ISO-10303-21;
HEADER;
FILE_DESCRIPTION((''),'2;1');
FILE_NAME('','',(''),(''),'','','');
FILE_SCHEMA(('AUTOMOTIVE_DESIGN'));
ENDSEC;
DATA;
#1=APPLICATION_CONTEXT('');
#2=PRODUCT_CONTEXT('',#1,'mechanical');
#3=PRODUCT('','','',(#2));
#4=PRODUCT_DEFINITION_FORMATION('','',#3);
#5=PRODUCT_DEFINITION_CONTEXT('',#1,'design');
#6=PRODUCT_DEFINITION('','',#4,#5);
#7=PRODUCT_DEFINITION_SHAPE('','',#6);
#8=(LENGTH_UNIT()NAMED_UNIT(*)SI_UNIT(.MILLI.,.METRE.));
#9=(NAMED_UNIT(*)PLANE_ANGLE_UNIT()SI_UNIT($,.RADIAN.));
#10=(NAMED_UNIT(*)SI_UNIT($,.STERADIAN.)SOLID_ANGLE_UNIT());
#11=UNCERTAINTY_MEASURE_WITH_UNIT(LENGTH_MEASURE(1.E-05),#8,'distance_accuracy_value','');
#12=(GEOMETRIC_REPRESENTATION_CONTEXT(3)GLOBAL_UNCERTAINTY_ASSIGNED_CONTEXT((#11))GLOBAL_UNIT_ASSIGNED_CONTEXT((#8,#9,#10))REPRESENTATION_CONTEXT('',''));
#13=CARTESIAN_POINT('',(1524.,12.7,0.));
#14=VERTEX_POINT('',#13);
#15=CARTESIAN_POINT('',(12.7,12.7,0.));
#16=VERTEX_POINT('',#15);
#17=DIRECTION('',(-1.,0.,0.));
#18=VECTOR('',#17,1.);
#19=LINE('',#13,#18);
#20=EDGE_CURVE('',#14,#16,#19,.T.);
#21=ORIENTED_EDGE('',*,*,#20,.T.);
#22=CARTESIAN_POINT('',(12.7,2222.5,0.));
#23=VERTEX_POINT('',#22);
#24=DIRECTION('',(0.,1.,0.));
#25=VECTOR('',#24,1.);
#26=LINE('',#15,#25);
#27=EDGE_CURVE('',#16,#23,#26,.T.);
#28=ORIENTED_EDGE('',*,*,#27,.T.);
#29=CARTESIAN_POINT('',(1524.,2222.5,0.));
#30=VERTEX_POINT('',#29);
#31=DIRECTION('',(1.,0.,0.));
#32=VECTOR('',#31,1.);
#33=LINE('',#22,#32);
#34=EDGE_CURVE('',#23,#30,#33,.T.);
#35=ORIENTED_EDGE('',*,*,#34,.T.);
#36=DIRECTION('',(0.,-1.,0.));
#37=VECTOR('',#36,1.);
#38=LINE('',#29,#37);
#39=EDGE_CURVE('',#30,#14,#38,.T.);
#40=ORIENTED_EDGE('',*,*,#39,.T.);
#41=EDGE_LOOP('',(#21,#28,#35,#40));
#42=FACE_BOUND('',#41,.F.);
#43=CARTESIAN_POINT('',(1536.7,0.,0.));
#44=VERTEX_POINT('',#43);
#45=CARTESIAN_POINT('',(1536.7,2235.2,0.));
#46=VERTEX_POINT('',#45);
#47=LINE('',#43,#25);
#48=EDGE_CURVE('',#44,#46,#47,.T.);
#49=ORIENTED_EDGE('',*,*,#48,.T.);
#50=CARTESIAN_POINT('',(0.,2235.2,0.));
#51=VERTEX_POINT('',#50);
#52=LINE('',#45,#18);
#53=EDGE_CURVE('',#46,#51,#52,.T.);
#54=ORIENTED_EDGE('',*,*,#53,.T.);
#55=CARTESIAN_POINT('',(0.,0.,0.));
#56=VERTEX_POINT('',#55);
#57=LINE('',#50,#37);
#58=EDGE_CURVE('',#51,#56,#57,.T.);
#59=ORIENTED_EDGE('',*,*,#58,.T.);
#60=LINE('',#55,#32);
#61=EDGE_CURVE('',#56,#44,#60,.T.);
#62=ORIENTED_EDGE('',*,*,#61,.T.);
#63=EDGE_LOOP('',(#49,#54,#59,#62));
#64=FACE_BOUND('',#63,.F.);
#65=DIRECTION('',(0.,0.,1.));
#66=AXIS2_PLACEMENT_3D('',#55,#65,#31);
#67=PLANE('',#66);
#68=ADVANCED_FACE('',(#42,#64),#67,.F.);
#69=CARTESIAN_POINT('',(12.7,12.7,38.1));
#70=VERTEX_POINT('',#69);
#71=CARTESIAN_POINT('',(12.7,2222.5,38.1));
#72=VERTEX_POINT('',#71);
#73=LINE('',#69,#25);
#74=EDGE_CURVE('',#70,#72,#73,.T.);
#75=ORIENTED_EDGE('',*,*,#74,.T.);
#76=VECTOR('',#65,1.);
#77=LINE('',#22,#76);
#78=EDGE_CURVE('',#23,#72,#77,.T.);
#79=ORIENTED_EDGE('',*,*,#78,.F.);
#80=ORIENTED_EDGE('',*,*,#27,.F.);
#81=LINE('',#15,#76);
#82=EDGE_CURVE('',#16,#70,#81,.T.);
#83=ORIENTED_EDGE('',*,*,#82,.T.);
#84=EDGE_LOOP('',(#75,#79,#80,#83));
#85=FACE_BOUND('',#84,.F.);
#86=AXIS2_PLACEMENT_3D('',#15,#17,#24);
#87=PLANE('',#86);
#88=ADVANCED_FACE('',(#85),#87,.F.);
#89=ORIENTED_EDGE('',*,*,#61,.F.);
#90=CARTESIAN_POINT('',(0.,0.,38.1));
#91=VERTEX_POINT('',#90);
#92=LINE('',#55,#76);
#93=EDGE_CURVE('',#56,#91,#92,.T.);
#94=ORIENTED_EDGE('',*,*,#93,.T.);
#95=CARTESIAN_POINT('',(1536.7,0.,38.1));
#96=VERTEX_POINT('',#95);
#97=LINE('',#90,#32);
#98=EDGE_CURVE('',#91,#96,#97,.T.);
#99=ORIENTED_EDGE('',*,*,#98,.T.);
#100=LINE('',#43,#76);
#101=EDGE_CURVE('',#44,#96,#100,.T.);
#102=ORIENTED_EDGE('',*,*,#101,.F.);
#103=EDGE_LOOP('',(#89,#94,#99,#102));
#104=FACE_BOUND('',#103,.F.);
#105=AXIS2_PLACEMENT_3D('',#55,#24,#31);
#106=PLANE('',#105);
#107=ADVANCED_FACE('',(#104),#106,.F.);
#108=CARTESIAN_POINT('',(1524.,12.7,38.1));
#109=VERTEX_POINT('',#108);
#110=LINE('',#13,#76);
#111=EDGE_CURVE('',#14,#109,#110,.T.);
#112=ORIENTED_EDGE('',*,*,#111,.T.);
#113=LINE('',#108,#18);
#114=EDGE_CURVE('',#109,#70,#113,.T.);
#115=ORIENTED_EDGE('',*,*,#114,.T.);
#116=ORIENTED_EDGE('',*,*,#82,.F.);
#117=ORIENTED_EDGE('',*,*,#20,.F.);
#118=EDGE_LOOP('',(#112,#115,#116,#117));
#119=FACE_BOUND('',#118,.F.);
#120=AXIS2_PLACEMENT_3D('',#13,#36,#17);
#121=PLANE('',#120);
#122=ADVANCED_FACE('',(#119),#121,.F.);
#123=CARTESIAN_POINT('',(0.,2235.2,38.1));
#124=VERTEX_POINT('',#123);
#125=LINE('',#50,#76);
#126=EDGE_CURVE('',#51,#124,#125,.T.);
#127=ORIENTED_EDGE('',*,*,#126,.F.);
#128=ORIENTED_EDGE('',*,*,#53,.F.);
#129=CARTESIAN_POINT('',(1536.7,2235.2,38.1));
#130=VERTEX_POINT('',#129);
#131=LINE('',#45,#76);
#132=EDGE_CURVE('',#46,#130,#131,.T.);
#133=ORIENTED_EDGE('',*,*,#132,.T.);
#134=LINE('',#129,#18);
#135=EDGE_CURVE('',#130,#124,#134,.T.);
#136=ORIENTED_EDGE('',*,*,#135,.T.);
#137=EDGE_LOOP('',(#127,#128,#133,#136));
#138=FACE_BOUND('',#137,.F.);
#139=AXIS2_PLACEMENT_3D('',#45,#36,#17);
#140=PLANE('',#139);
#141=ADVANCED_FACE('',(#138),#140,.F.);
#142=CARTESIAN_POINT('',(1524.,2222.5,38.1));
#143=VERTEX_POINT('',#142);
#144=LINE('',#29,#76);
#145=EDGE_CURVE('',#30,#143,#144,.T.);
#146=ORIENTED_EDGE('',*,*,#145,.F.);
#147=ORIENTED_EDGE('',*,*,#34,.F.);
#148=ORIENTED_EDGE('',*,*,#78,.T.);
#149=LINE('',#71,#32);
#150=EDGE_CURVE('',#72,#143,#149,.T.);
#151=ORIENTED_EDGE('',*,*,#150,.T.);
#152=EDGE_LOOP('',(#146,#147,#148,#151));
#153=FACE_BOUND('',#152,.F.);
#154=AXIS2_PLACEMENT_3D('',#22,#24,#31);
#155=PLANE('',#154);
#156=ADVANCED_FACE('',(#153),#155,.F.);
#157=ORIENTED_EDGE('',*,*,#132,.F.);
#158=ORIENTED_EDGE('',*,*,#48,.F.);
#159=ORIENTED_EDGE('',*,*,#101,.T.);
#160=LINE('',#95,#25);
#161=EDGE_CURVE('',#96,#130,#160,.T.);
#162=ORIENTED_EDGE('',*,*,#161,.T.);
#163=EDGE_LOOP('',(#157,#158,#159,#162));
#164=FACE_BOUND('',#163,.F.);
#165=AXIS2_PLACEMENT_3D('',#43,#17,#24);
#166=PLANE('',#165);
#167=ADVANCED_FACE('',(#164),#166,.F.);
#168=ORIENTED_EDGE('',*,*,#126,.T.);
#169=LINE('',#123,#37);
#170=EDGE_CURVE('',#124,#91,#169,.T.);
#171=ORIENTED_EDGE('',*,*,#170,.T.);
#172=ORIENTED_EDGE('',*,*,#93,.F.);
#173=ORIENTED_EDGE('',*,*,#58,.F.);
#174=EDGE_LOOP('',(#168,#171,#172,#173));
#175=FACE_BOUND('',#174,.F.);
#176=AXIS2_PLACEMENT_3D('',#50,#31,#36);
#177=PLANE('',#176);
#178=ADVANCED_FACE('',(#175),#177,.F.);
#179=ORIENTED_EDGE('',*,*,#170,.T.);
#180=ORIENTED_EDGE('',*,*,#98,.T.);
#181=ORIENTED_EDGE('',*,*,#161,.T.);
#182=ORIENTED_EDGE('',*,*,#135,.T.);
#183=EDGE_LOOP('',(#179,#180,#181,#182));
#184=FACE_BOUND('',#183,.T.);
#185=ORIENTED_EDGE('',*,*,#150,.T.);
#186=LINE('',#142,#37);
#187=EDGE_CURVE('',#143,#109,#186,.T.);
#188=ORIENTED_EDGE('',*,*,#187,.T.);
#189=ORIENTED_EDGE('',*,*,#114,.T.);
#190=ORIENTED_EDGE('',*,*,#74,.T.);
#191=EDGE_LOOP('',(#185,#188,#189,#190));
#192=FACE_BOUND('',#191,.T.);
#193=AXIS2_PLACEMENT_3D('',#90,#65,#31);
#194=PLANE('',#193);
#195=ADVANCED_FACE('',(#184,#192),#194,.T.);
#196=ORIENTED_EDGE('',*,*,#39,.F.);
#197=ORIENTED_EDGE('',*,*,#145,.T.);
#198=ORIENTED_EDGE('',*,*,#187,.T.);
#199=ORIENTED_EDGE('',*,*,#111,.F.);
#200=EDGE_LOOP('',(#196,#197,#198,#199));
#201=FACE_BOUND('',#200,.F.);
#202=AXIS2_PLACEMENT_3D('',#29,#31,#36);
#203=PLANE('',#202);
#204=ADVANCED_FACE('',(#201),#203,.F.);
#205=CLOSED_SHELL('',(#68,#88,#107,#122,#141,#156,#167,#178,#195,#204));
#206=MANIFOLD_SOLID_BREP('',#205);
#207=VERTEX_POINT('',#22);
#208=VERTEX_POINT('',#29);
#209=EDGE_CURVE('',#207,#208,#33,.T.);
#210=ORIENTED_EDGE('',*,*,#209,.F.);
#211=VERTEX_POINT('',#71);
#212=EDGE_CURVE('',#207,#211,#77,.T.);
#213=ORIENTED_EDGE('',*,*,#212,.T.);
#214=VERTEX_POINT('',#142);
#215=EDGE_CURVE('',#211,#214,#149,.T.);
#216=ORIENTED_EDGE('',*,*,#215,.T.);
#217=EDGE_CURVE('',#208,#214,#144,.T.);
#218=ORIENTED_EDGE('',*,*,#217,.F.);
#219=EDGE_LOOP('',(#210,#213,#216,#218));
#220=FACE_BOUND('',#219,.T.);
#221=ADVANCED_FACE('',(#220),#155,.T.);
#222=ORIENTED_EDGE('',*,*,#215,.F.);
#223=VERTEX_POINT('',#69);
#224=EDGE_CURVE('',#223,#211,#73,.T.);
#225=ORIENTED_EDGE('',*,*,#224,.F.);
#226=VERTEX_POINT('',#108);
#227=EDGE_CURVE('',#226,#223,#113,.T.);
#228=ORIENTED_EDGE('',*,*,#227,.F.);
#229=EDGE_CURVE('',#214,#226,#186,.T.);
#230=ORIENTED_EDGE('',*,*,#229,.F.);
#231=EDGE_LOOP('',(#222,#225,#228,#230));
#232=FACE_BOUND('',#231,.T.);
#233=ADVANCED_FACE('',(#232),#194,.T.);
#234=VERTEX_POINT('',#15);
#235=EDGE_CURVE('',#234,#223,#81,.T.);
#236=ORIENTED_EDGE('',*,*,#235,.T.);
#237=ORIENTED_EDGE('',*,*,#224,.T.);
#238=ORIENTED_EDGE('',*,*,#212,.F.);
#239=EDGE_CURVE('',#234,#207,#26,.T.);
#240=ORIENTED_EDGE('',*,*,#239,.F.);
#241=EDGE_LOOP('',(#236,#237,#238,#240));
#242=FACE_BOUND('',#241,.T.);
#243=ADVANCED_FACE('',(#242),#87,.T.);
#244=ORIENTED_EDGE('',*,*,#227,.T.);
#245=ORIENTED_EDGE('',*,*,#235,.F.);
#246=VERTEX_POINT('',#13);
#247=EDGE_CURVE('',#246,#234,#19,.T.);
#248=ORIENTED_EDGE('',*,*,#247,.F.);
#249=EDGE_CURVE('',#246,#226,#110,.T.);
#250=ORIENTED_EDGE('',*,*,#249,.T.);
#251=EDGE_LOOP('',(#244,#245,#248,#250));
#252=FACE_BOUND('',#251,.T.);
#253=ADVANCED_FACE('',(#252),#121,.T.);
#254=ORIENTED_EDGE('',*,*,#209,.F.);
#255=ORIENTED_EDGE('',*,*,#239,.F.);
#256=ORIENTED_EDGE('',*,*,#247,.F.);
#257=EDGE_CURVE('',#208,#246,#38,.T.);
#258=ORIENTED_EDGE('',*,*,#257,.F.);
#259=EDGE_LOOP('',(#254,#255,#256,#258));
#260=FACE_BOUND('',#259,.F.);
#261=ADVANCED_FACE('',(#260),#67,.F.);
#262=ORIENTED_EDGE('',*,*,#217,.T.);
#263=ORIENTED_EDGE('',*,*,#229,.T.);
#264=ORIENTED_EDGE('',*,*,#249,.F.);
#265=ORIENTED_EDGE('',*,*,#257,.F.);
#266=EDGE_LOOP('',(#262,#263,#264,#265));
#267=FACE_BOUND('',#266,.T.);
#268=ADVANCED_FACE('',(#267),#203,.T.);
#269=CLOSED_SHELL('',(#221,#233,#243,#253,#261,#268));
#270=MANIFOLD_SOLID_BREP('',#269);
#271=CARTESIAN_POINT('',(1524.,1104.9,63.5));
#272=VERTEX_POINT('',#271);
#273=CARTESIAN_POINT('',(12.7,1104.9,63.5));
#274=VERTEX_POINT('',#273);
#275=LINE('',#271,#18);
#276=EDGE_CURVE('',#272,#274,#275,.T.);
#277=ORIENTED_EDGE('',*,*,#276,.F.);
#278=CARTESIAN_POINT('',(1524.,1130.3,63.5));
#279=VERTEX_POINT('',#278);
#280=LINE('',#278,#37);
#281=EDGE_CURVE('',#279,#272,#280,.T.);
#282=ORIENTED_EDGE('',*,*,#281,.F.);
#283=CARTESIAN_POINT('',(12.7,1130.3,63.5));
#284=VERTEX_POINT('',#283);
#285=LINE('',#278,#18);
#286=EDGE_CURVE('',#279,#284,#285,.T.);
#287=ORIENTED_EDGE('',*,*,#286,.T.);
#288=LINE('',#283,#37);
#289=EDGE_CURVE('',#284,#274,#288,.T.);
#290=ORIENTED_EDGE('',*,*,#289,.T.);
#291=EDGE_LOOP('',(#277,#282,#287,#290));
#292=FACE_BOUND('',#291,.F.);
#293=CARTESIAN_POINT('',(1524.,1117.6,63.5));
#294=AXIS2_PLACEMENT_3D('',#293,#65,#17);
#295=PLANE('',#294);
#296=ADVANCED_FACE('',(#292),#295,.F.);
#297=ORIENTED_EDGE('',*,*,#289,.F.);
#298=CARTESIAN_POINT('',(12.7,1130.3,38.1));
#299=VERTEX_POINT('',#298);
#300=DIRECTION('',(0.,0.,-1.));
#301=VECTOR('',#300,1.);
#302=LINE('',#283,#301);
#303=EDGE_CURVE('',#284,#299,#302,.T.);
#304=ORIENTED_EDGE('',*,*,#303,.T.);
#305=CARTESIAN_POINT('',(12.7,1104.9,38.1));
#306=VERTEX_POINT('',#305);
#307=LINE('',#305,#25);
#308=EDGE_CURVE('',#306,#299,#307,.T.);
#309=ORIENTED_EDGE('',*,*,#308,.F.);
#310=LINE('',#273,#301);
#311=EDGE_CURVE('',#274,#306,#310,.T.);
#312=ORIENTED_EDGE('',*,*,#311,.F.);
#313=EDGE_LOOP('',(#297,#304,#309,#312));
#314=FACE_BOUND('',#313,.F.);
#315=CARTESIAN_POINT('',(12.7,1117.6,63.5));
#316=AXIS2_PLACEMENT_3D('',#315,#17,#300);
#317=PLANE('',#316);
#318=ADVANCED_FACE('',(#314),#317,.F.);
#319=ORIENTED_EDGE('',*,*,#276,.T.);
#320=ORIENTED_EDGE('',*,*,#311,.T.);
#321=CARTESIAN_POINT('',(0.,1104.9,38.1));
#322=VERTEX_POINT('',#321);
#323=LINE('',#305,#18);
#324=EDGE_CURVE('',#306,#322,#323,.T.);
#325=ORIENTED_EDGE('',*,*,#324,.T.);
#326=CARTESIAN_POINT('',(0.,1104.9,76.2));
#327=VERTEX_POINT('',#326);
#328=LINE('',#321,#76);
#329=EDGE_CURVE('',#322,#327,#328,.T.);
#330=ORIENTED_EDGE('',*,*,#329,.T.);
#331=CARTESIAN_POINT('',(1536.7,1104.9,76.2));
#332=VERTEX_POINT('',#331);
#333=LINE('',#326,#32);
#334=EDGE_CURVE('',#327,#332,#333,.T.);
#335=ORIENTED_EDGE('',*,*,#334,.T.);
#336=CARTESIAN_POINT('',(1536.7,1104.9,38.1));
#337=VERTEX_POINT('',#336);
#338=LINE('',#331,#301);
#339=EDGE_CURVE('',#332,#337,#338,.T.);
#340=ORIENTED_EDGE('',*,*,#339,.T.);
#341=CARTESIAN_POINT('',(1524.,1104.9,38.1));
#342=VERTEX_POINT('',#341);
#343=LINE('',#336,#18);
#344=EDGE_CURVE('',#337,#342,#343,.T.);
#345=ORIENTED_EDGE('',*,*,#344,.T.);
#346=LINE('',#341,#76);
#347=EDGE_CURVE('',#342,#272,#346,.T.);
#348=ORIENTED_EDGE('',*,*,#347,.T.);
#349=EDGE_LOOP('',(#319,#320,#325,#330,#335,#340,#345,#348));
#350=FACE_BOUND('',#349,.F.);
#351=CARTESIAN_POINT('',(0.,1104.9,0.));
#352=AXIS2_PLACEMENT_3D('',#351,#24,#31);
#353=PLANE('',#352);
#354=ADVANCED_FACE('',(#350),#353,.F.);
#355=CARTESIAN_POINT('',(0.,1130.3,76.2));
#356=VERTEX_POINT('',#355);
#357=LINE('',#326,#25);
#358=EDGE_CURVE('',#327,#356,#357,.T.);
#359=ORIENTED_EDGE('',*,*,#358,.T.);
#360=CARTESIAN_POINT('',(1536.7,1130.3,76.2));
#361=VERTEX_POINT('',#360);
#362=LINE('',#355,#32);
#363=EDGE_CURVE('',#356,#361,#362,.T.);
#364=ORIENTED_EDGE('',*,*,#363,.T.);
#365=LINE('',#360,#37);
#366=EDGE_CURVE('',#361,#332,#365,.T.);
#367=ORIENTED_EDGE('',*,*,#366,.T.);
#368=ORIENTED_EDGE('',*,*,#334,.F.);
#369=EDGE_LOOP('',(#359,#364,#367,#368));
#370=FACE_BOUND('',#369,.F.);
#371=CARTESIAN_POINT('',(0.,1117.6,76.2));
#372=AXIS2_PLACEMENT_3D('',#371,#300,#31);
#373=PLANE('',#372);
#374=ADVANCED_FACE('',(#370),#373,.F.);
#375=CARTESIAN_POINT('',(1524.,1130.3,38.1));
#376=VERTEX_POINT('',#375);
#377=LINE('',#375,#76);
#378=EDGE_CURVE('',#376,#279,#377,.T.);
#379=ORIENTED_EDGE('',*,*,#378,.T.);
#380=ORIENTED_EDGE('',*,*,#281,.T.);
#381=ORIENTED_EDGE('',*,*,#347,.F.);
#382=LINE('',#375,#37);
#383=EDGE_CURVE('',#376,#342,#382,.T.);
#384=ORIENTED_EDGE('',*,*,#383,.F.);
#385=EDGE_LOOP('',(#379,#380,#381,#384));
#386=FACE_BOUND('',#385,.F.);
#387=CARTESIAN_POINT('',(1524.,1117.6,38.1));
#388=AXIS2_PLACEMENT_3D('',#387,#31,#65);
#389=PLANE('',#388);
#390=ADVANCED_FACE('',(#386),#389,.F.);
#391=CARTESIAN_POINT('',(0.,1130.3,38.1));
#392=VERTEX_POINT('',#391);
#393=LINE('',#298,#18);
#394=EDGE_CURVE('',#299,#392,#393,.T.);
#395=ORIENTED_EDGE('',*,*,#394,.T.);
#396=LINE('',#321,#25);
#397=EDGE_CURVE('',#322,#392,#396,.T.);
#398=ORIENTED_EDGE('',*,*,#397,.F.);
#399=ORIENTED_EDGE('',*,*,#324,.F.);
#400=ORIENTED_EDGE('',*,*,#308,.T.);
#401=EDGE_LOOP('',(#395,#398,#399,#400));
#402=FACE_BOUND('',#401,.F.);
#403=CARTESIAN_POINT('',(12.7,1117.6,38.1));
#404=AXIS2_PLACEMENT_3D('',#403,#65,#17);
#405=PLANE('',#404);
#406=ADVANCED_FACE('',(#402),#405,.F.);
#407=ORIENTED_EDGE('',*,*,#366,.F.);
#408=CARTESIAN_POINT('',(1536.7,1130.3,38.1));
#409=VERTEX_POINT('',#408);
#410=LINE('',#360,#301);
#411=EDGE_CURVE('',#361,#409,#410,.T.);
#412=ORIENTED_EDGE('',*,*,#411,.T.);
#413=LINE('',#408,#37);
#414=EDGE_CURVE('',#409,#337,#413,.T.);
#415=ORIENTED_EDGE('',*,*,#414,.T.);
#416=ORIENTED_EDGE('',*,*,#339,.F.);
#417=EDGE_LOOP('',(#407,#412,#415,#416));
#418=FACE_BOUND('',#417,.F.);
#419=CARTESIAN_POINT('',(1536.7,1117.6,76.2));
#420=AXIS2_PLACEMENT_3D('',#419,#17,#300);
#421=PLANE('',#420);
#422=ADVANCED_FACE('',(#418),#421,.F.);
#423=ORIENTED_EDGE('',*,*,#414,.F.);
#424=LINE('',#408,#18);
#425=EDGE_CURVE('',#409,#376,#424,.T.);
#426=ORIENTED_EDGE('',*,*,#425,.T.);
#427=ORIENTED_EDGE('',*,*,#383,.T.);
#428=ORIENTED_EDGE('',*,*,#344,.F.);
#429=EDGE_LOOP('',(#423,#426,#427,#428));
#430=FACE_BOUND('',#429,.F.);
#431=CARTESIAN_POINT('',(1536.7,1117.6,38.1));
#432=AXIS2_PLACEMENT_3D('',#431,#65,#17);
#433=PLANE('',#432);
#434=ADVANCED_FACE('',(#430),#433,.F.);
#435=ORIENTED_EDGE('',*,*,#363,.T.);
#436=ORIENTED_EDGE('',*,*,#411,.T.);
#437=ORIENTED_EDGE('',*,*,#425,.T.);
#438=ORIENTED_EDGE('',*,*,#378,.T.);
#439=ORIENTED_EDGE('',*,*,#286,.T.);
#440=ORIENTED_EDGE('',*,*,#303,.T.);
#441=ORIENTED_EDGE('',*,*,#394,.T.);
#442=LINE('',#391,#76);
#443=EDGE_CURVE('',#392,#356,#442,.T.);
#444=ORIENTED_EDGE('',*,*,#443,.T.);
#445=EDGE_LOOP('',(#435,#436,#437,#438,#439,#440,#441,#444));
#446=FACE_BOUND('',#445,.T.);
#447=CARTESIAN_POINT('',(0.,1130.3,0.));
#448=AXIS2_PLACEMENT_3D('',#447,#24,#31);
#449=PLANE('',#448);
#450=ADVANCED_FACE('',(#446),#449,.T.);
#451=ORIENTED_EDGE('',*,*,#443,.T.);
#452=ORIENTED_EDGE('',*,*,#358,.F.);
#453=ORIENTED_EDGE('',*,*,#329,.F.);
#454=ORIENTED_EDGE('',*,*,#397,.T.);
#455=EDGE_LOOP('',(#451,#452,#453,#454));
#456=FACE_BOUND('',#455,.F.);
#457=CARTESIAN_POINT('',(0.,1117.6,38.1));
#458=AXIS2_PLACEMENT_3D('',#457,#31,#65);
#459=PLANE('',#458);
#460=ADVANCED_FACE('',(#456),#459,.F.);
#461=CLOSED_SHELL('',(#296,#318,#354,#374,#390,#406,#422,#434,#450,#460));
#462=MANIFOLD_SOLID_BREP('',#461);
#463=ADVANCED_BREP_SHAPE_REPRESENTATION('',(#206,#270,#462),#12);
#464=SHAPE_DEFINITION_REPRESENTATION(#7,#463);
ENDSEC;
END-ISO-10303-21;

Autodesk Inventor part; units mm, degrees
ref_plane "YZ Plane" through (0, 0, 0) normal (1, 0, 0) x (0, 1, 0)
sketch "Sketch1" plane through (0, 0, 0) normal (0, 0, 1) x (1, 0, 0)
  line L0 (0, 0) -> (1536.7, 0)
  line L1 (1536.7, 0) -> (1536.7, 2235.2)
  line L2 (1536.7, 2235.2) -> (0, 2235.2)
  line L3 (0, 2235.2) -> (0, 0)
  line L4 (12.7, 2222.5) -> (1524, 2222.5)
  line L5 (1524, 2222.5) -> (1524, 12.7)
  line L6 (1524, 12.7) -> (12.7, 12.7)
  line L7 (12.7, 12.7) -> (12.7, 2222.5)
  dimension "d2" = 2235.2
  dimension "d3" = 1536.7
  dimension "d4" = 12.7
extrude "GlassPane" add sketch "Sketch1" along normal blind 38.1 contours L4 L5 L6 L7
extrude "Frame" add sketch "Sketch1" along normal blind 38.1 separate body
ref_plane "Work Plane1" through (0, 1117.6, 0) normal (0, 1, 0) x (1, 0, 0)
ref_plane "Work Plane2" through (0, 0, 19.05) normal (0, 0, 1) x (1, 0, 0)
sketch "Sketch2" plane through (0, 1117.6, 0) normal (0, 1, 0) x (1, 0, 0)
  line L0 (12.7, -38.1) -> (0, -38.1)
  line L1 (0, -38.1) -> (0, -76.2)
  line L2 (0, -76.2) -> (1536.7, -76.2)
  line L3 (1536.7, -76.2) -> (1536.7, -38.1)
  line L4 (1536.7, -38.1) -> (1524, -38.1)
  line L5 (1524, -38.1) -> (1524, -63.5)
  line L6 (1524, -63.5) -> (12.7, -63.5)
  line L7 (12.7, -63.5) -> (12.7, -38.1)
  dimension "d7" = 12.7
  dimension "d8" = 12.7
  dimension "d9" = 38.1
extrude "Handle" add sketch "Sketch2" along normal mid plane 25.4 separate body
mirror "MirrorExterior" [suppressed]
equation "\"d2\" = Height - FrameWidth"
equation "\"d0\" = 0.375 * Depth"
equation "\"d5\" = 0.375 * Depth"
equation "\"d8\" = d7"
equation "\"Width\" = 3048"
equation "\"Height\" = 2286"
equation "\"Depth\" = 101.6"
equation "\"FrameWidth\" = 50.8"
properties part number "SlidingDoorPanel"
